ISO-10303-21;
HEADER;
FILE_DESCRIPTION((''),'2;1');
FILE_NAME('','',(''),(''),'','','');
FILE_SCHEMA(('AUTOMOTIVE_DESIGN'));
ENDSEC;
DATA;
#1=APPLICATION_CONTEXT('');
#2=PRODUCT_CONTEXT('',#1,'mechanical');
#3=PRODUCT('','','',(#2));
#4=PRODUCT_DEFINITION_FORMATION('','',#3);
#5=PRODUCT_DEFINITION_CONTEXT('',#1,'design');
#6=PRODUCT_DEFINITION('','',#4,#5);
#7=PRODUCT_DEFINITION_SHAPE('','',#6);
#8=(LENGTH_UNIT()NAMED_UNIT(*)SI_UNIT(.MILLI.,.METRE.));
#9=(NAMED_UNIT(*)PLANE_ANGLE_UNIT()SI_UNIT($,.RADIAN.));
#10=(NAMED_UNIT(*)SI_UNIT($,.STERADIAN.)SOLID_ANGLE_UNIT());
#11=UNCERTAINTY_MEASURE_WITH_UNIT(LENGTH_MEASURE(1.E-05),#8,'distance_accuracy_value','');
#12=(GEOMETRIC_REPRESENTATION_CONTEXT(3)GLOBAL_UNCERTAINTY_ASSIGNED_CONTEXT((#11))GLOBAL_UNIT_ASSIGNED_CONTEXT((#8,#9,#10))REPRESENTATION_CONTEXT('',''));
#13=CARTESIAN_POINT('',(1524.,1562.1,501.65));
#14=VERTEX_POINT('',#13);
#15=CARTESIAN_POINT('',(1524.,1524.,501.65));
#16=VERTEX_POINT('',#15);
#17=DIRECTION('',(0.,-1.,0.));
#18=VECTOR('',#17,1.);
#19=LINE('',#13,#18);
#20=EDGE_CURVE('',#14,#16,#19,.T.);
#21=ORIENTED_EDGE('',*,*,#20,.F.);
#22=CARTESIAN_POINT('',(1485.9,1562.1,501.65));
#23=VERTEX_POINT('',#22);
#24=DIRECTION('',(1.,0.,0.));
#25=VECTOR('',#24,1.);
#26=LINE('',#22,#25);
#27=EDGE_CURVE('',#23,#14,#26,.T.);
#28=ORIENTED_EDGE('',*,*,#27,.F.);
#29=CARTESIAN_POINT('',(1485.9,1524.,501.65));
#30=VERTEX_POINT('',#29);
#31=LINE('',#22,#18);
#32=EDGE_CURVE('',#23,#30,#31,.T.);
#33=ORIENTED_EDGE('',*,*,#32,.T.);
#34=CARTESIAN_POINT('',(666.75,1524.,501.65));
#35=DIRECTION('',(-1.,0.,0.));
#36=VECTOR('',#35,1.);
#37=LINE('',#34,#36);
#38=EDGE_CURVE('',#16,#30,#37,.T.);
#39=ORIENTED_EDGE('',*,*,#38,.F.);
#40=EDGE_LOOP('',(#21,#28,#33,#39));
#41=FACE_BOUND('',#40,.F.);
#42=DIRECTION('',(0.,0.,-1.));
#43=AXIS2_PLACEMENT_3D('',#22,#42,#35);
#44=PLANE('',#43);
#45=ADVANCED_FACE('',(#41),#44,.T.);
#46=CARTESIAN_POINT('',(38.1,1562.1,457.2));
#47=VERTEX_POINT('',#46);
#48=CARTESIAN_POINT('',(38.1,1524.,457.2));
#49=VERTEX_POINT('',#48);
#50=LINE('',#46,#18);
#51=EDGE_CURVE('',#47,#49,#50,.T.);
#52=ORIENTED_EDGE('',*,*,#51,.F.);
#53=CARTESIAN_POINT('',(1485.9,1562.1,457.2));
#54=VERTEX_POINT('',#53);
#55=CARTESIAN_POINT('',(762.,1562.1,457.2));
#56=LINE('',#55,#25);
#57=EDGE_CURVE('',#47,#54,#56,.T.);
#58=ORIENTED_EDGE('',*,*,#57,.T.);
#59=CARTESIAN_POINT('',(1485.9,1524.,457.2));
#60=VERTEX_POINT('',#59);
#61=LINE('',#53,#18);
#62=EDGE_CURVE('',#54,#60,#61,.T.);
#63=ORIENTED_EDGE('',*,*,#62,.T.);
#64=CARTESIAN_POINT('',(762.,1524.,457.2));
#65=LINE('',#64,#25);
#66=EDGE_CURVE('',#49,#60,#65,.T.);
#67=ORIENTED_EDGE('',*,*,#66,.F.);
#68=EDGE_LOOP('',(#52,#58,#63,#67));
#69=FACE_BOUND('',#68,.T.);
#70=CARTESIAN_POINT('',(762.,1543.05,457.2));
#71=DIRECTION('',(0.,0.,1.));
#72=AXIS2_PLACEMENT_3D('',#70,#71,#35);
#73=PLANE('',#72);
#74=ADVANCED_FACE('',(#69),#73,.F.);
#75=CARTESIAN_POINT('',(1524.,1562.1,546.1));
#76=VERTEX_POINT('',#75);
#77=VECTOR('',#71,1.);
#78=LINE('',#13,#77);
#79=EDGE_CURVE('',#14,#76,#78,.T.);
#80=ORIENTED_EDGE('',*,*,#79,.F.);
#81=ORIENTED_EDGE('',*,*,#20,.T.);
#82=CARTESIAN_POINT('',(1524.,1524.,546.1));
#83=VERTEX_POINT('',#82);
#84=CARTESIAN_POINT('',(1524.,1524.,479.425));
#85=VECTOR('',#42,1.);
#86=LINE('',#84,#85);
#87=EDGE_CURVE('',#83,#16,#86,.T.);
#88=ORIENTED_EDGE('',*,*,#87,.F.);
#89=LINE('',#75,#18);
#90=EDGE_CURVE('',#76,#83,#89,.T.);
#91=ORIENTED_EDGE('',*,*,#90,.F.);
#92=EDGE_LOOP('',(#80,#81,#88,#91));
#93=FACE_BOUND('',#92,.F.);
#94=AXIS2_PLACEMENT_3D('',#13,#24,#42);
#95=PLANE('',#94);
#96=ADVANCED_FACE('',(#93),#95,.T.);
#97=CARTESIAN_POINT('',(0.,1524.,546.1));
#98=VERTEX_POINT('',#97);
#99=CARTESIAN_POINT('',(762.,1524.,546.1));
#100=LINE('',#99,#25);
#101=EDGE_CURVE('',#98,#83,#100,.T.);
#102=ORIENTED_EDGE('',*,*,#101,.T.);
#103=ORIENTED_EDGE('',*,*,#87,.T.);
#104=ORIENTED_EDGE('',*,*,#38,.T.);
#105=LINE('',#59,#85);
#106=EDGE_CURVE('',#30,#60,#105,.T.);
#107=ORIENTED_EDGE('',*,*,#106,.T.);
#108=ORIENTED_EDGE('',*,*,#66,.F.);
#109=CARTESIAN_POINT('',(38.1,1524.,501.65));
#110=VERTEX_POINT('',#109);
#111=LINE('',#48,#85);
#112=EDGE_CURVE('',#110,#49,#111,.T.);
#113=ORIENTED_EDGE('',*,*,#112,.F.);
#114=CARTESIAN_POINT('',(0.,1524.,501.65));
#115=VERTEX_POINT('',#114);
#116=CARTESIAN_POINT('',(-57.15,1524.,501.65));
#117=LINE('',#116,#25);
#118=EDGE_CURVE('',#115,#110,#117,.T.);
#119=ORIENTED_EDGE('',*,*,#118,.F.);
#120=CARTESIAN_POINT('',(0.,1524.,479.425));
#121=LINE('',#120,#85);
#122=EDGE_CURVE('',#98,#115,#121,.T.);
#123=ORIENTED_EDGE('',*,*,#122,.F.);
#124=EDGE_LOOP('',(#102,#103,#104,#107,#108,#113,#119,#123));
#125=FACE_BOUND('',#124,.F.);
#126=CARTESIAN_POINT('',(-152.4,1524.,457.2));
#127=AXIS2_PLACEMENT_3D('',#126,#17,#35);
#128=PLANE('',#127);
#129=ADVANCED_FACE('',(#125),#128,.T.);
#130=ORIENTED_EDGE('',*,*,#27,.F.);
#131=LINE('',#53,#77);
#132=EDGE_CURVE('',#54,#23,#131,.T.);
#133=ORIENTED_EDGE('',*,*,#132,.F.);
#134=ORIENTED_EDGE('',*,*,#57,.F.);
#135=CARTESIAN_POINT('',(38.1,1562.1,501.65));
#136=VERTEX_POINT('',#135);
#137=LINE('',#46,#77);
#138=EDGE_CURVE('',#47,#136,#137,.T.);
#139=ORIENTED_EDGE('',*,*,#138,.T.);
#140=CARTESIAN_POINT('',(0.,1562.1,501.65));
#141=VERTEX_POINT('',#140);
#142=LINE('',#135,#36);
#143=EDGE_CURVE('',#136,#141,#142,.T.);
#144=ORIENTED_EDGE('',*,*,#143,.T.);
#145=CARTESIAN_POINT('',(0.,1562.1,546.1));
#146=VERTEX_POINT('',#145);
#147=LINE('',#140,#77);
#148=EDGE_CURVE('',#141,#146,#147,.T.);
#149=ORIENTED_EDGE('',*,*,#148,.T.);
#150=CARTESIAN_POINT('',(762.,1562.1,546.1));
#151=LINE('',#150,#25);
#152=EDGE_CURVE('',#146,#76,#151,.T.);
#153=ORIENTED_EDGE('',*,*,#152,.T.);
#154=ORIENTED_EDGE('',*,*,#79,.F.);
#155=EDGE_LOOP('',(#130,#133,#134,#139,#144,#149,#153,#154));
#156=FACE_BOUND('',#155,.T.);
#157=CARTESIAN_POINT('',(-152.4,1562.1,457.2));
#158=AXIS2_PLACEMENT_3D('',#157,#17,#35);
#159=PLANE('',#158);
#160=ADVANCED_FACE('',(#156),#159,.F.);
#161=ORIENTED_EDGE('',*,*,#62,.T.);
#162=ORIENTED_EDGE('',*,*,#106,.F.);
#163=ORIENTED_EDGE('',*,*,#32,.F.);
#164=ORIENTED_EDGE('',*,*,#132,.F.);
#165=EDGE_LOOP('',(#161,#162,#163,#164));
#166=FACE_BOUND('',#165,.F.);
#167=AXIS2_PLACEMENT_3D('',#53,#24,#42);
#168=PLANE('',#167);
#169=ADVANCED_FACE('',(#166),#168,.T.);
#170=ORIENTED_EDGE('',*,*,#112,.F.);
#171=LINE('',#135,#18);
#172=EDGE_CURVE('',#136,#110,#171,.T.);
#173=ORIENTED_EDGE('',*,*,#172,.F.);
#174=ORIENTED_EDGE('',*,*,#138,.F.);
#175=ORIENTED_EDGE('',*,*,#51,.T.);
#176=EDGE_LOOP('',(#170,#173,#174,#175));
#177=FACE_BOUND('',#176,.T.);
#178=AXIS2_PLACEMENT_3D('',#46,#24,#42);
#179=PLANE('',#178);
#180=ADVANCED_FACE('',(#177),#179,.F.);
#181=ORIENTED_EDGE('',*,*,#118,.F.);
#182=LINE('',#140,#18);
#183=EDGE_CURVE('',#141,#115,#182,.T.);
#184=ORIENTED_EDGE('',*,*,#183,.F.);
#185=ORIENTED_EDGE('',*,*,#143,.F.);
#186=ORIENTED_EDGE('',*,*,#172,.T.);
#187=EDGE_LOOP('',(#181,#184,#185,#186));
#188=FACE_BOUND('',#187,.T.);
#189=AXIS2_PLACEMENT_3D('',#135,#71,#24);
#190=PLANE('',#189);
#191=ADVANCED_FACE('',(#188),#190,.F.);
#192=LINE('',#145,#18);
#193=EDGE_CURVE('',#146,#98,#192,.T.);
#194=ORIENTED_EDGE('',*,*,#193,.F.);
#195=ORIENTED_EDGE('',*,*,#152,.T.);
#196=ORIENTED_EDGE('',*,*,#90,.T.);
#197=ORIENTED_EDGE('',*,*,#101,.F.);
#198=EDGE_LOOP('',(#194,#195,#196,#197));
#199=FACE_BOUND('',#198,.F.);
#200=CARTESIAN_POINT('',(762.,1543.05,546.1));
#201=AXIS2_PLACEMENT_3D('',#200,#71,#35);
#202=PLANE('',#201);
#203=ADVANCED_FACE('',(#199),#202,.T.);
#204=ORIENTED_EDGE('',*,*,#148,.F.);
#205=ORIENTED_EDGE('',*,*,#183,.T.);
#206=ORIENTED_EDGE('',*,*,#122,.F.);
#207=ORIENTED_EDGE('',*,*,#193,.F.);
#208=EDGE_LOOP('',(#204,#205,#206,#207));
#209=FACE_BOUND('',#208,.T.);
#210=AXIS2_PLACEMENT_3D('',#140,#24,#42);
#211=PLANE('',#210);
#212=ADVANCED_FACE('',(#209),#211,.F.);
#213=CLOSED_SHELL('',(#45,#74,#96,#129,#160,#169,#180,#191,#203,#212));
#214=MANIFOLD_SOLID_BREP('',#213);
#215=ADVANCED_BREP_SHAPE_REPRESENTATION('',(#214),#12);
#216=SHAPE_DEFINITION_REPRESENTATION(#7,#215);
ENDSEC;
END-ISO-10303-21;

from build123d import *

# Parameters (mm, degrees)
BOX008_W        = 1828.8
BOX008_H        = 38.1
BOX008_DEPTH    = 88.9
POCKET005_DEPTH = 38.1010000002


with BuildPart() as pocket005:
    # Box008 → Box008 (new body)
    with BuildSketch(Plane(origin=(-152.4, -38.1, 457.2), x_dir=(1, 0, 0), z_dir=(0, 0, 1))):
        with Locations((914.4, 19.05)):
            Rectangle(BOX008_W, BOX008_H)
    extrude(amount=BOX008_DEPTH)

    # Sketch005 → Pocket005 (cut, through all)
    with BuildSketch(Plane(origin=(-152.4, -38.1, 457.2), x_dir=(1, 0, 0), z_dir=(0, -1, 0))):
        Polygon((190.5, 44.45), (152.4, 44.45), (152.4, 88.9), (0, 88.9), (0, 0), (190.5, 0), align=None)
        Polygon((1638.3, 44.45), (1676.4, 44.45), (1676.4, 88.9), (1828.8, 88.9), (1828.8, 0), (1638.3, 0), align=None)
    extrude(amount=-POCKET005_DEPTH, mode=Mode.SUBTRACT)


with BuildPart() as southfloorbeam:
    # Part__Mirroring003: instance of Pocket005
    add(pocket005.part.mirror(Plane(origin=(0, 762, 0), x_dir=(1, 0, 0), z_dir=(0, 1, 0))))


solid = southfloorbeam.part
